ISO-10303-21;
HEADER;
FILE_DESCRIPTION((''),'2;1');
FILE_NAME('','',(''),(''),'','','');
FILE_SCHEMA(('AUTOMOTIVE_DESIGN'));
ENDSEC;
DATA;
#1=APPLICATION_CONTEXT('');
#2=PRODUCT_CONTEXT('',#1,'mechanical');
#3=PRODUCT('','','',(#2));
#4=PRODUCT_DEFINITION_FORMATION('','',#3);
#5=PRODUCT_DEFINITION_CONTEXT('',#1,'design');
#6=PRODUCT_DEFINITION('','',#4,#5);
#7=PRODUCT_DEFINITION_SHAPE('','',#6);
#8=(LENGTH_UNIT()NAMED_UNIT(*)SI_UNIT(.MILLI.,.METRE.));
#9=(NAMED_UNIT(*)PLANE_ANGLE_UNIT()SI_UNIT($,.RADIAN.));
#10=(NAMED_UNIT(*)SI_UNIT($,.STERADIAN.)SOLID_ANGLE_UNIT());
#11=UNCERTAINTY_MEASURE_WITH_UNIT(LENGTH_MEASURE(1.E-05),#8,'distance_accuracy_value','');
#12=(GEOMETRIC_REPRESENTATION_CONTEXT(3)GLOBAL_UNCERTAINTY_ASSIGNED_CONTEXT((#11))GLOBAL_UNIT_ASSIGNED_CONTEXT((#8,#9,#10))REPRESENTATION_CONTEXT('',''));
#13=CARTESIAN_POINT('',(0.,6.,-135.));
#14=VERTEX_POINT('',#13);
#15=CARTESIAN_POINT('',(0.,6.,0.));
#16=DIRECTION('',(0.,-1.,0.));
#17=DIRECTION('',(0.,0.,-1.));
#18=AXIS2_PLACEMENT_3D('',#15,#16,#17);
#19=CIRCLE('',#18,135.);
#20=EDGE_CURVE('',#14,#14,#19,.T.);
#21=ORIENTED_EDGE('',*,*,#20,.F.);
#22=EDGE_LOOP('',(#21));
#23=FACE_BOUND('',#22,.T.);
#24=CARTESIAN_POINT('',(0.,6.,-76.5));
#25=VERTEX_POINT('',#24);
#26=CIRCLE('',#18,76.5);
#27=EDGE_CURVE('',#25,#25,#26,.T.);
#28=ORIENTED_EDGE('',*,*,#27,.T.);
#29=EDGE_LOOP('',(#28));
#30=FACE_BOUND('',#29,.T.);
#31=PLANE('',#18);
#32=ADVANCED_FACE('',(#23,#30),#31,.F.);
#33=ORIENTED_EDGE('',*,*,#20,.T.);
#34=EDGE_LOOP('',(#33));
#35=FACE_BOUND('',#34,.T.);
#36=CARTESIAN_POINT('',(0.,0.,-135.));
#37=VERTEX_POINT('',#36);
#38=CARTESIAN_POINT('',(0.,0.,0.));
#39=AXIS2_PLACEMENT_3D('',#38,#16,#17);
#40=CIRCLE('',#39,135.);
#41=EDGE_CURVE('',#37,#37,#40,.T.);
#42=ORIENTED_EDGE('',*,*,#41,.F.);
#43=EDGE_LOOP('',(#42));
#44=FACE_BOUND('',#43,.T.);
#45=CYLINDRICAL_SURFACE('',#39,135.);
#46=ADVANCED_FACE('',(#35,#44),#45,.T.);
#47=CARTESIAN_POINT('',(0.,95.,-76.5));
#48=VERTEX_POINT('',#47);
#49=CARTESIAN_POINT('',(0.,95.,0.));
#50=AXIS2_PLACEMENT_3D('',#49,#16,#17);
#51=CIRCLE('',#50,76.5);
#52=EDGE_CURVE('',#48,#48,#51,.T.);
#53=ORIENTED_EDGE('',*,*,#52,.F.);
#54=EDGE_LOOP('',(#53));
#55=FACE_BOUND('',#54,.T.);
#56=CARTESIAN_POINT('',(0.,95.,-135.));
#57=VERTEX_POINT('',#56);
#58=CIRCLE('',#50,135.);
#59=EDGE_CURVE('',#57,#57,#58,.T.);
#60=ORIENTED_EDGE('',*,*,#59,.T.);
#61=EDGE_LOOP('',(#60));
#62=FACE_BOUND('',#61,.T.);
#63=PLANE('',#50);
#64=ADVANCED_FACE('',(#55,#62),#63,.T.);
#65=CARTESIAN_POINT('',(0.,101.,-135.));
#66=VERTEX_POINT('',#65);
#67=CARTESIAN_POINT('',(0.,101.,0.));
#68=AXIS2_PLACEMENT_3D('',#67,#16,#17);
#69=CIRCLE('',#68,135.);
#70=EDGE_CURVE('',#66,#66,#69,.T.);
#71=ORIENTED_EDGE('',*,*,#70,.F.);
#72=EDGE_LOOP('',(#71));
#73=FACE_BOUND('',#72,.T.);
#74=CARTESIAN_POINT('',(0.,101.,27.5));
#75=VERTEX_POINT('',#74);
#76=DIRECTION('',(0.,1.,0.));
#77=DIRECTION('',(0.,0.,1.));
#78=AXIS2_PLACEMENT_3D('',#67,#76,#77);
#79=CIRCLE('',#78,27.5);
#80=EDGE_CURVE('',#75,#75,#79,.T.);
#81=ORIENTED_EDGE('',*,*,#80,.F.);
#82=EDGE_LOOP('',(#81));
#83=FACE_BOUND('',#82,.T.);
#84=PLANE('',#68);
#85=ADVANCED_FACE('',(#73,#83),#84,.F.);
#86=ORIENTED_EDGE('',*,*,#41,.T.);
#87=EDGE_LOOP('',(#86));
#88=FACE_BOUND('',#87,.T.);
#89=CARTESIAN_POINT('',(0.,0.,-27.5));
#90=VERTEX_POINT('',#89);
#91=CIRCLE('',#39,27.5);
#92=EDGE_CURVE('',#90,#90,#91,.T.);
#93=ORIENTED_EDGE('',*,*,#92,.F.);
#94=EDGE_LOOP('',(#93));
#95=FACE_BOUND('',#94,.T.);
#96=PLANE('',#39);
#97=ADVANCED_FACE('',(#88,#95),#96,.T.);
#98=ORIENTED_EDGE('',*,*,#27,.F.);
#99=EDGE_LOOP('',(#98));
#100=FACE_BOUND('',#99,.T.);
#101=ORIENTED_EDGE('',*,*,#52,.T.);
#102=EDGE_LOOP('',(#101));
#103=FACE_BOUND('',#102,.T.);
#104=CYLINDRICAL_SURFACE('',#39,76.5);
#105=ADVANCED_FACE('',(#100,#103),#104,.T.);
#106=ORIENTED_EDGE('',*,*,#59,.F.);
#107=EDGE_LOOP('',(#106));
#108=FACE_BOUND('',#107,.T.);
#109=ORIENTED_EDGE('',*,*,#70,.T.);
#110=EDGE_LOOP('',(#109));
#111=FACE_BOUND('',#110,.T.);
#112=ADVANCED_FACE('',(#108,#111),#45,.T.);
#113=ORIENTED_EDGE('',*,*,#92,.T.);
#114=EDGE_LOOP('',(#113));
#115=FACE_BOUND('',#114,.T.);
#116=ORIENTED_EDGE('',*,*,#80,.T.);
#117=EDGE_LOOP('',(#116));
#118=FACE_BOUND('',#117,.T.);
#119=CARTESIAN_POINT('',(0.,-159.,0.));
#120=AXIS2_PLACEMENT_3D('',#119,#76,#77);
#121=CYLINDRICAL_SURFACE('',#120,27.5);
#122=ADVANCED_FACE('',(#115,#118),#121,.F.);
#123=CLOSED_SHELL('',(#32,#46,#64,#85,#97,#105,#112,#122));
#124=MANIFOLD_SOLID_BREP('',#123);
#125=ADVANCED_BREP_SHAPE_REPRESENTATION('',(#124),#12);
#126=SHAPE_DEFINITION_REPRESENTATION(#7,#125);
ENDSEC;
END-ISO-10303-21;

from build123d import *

# Parameters (mm, degrees)
SKETCH2_R          = 27.5
CUT_EXTRUDE1_DEPTH = 260


with BuildPart() as part:
    # Sketch1 → Revolve1 (revolve)
    with BuildSketch(Plane.XY, mode=Mode.PRIVATE) as revolve1_sk:
        Polygon((-135, 95), (-135, 101), (0, 101), (0, 0), (-135, 0), (-135, 6), (-76.5, 6), (-76.5, 95), align=None)
    revolve(revolve1_sk.sketch.rotate(Axis((0, 0, 0), (0, 1, 0)), 270), axis=Axis((0, 0, 0), (0, 1, 0)))

    # Sketch2 → Cut-Extrude1 (cut)
    with BuildSketch(Plane(origin=(0, 101, 0), x_dir=(1, 0, 0), z_dir=(0, 1, 0))):
        with Locations(Location((0, 0, 0), (0, 0, 270))):
            Circle(SKETCH2_R)
    extrude(amount=-CUT_EXTRUDE1_DEPTH, mode=Mode.SUBTRACT)


solid = part.part
